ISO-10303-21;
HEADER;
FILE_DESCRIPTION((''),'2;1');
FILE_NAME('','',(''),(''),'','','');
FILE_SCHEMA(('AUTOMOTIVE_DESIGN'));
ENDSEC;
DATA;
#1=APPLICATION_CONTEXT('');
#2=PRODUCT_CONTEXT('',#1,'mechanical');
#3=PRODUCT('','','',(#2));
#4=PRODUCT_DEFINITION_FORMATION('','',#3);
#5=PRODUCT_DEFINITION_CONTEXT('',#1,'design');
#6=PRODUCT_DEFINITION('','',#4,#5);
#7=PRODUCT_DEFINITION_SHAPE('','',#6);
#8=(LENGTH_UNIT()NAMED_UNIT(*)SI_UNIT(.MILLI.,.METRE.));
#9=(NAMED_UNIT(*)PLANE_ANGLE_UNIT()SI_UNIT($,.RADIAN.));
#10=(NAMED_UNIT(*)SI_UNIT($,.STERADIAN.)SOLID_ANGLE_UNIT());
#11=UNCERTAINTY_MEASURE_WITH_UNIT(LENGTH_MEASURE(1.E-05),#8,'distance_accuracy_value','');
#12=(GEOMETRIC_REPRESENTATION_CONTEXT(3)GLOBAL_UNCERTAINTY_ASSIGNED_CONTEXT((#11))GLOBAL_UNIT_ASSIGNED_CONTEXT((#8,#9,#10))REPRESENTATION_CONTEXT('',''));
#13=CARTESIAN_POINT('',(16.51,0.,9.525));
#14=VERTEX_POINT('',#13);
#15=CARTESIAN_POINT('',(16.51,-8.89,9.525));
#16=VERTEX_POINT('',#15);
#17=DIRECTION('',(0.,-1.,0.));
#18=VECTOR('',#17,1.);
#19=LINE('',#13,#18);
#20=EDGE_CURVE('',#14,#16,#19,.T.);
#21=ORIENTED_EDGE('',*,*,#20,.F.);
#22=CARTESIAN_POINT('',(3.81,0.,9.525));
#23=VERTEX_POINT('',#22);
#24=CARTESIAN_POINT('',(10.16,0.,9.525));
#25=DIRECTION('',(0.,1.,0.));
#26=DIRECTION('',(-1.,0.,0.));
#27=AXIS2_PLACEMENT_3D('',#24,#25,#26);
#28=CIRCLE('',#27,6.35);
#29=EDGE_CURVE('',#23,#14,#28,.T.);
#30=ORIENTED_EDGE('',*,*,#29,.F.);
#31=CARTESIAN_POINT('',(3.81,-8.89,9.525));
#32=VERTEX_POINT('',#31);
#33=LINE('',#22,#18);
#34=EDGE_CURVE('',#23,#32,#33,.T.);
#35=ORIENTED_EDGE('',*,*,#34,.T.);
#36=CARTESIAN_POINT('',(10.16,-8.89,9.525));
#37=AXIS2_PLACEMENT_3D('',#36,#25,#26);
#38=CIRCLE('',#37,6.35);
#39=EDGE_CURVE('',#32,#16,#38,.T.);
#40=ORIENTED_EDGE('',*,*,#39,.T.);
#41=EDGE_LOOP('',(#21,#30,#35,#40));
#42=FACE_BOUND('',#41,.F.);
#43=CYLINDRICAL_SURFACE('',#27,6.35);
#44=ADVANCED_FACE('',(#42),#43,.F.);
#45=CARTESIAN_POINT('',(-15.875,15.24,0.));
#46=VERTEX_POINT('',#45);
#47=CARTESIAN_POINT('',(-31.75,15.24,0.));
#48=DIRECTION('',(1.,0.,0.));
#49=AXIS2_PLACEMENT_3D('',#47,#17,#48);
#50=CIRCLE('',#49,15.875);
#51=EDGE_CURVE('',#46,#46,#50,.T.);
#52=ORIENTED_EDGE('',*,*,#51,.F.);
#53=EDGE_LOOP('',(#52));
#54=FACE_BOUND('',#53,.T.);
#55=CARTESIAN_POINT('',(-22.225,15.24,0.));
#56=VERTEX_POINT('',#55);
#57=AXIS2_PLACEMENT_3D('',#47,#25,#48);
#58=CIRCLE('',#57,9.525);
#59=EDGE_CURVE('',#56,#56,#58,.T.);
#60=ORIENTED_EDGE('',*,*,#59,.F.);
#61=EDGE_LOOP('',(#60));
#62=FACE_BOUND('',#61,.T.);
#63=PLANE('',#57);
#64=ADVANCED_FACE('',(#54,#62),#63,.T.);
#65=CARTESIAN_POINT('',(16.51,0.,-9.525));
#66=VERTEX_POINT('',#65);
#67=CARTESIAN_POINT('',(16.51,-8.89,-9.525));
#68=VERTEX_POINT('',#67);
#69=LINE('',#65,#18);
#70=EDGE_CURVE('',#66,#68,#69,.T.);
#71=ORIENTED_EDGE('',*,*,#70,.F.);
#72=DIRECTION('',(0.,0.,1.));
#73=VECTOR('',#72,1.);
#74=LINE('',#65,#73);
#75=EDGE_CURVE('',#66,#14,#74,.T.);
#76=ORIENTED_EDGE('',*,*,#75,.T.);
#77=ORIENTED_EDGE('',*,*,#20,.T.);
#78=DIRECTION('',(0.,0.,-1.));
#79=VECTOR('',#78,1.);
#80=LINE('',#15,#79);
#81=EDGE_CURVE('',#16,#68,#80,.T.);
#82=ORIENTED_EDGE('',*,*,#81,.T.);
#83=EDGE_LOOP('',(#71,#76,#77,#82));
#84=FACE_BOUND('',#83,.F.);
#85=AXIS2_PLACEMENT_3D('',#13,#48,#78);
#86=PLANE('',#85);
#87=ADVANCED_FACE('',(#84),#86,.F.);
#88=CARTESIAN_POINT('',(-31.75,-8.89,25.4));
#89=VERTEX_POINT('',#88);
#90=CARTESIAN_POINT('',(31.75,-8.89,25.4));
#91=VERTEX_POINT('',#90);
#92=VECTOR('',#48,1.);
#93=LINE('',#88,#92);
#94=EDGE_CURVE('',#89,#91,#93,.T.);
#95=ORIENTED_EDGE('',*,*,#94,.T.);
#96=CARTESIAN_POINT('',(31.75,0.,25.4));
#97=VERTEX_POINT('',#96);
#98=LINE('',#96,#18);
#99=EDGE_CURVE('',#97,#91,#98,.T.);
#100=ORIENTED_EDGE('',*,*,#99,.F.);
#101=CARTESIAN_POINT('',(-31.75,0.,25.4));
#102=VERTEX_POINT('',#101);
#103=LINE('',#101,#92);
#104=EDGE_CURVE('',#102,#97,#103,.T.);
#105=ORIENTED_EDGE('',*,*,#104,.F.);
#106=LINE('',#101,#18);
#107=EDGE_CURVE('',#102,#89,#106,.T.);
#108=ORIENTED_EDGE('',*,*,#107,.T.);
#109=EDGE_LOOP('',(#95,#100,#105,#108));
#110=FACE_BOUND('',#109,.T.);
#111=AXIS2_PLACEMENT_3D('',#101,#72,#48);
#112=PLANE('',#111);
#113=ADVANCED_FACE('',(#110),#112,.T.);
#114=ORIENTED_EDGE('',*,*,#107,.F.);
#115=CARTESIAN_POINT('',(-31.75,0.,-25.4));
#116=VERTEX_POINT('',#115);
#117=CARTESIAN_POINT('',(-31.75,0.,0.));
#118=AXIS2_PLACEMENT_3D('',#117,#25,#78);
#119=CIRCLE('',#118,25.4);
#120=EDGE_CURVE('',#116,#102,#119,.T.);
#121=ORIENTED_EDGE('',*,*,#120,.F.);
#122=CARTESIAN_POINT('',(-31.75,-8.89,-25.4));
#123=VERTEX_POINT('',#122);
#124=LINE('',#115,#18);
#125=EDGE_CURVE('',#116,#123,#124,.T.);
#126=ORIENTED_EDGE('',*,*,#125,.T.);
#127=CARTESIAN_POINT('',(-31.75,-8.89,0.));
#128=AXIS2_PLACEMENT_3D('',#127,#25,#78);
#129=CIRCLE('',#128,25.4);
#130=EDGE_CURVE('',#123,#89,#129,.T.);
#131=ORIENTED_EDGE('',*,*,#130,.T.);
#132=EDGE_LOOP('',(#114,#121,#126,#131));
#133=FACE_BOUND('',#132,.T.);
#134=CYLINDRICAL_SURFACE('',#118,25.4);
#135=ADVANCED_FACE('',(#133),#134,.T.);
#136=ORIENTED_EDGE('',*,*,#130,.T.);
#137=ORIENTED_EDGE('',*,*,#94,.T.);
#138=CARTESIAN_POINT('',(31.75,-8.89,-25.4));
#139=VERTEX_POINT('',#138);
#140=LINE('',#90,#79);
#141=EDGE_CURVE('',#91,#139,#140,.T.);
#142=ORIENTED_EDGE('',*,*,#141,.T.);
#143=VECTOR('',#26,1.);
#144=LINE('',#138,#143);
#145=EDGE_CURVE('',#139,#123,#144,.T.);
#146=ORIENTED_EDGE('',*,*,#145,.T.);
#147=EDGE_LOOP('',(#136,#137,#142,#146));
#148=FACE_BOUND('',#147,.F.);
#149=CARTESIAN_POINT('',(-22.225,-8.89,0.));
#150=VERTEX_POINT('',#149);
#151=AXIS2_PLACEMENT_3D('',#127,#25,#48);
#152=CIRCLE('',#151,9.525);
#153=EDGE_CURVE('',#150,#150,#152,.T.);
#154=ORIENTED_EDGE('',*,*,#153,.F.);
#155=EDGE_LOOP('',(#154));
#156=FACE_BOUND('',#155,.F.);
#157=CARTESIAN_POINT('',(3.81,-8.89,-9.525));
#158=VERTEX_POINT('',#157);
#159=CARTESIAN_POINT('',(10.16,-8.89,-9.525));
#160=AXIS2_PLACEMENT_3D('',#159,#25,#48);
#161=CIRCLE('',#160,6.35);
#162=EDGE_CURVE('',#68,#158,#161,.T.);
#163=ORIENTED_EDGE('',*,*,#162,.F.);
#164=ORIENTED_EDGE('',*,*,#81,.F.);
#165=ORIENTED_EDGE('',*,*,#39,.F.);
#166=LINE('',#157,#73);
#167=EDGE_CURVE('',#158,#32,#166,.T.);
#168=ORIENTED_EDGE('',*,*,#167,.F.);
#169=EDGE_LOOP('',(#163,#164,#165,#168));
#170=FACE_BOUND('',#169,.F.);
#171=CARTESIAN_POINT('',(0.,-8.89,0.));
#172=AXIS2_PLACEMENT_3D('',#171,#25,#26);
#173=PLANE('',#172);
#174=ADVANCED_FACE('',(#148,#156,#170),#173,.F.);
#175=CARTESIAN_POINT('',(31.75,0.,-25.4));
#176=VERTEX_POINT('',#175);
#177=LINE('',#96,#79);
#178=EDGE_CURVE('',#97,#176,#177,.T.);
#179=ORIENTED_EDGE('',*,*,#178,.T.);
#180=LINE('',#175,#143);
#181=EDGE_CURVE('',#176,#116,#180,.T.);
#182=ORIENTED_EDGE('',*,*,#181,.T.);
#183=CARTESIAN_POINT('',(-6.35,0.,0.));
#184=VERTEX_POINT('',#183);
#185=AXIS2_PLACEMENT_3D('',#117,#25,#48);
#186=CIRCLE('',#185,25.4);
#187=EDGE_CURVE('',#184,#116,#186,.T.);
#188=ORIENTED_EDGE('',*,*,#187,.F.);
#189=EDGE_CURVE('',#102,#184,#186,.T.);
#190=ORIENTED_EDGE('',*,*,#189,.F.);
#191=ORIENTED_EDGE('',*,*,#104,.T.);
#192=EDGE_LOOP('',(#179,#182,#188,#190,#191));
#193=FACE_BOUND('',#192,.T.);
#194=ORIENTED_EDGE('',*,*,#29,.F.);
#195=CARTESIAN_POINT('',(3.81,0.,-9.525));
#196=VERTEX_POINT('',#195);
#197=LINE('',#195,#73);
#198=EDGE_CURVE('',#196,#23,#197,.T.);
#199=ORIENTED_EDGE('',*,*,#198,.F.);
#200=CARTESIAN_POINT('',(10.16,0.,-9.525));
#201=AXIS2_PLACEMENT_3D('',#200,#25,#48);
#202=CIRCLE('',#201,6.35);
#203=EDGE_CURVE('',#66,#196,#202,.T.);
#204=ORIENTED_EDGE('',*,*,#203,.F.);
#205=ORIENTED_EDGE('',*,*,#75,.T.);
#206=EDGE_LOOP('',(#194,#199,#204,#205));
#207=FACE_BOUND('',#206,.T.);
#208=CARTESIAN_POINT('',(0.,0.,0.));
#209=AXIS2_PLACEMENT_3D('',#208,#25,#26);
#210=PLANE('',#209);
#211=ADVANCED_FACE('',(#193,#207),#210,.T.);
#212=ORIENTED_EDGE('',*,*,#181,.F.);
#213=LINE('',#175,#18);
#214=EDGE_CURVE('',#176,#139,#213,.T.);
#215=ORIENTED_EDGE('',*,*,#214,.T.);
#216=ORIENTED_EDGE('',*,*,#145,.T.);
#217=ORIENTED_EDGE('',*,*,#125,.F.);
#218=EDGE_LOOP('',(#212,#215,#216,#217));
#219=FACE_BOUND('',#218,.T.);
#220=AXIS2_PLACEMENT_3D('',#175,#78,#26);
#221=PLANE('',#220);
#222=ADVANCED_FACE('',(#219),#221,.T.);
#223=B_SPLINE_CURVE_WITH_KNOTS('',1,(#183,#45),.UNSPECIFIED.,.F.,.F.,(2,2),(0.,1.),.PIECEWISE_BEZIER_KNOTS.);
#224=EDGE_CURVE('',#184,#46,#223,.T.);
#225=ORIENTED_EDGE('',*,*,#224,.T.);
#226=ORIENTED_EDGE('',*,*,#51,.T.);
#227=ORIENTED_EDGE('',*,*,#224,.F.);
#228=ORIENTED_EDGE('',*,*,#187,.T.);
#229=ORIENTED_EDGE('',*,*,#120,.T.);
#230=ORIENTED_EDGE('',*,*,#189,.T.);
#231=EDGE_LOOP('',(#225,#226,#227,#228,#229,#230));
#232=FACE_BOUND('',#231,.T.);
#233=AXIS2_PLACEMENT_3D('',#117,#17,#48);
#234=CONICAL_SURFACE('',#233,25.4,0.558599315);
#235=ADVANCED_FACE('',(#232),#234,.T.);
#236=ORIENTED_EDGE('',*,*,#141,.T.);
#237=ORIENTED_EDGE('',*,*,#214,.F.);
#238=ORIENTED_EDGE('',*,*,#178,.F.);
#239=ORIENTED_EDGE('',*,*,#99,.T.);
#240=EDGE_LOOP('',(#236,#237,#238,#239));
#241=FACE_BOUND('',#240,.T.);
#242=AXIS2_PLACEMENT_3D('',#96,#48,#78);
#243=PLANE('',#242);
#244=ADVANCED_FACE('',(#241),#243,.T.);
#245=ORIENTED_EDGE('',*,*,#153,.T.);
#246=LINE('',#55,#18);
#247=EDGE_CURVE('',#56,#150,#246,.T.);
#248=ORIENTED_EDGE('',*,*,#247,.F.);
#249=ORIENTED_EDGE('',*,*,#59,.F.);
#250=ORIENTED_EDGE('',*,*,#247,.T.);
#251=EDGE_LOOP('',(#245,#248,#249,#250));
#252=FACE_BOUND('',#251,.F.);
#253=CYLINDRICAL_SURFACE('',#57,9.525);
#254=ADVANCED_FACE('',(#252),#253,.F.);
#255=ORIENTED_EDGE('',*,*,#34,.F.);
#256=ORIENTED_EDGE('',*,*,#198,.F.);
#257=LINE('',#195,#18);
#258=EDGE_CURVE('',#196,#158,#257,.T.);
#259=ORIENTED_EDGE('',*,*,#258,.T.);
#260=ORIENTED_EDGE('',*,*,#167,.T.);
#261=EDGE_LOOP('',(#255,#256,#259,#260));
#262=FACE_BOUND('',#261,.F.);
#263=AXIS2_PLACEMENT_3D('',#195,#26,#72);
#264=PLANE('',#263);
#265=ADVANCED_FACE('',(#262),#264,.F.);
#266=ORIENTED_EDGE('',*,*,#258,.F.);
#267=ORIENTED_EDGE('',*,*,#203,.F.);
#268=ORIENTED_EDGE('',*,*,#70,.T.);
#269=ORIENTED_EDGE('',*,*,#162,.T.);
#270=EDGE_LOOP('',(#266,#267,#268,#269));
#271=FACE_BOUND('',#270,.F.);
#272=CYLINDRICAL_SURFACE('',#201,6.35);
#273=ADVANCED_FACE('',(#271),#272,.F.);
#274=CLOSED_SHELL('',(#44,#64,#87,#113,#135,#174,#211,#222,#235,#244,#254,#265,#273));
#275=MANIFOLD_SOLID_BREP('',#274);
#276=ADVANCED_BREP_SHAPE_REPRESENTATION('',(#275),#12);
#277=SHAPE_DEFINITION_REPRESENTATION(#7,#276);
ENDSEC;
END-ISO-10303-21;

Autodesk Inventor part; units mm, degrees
ref_plane "YZ Plane" through (0, 0, 0) normal (1, 0, 0) x (0, 1, 0)
ref_plane "XZ Plane" through (0, 0, 0) normal (0, 1, 0) x (-1, 0, 0)
sketch "Sketch1" plane through (0, 0, 0) normal (0, 1, 0) x (-1, 0, 0)
  line L0 (31.75, 25.4) -> (-31.75, 25.4)
  line L1 (-31.75, 25.4) -> (-31.75, -25.4)
  line L2 (-31.75, -25.4) -> (31.75, -25.4)
  line L3 (31.75, -25.4) -> (31.75, 25.4)
  line L4 (31.75, 25.4) -> (-31.75, -25.4) construction
  line L5 (-31.75, 25.4) -> (31.75, -25.4) construction
  arc A0 (31.75, -25.4) -> (31.75, 25.4) centre (31.75, 0) ccw
  point P0 (0, 0)
  dimension "d5" = 63.5
  dimension "d6" = 50.8
extrude "Extrusion1" add sketch "Sketch1" against normal blind 8.89
sketch "Sketch2" plane through (0, 0, 0) normal (0, 1, 0) x (1, 0, 0)
  line L0 (31.75, -25.4) -> (31.75, 25.4) projected
  line L1 (-31.75, -25.4) -> (31.75, -25.4) projected
  line L2 (31.75, 25.4) -> (-31.75, 25.4) projected
  arc A0 (-31.75, 25.4) -> (-31.75, -25.4) centre (-31.75, 0) ccw projected
  line L3 (31.75, 0) -> (16.51, 0)
  line L4 (3.81, -9.525) -> (16.51, -9.525)
  line L5 (16.51, -9.525) -> (16.51, 9.525)
  line L6 (16.51, 9.525) -> (3.81, 9.525)
  line L7 (3.81, 9.525) -> (3.81, -9.525)
  line L8 (3.81, -9.525) -> (16.51, 9.525) construction
  line L9 (16.51, -9.525) -> (3.81, 9.525) construction
  arc A1 (3.81, -9.525) -> (16.51, -9.525) centre (10.16, -9.525) ccw
  arc A2 (16.51, 9.525) -> (3.81, 9.525) centre (10.16, 9.525) ccw
  point P0 (0, 0)
  dimension "d9" = 15.24
  dimension "d10" = 12.7
  dimension "d11" = 19.05
extrude "Extrusion2" cut sketch "Sketch2" against normal blind 8.89 contours L5 L4 L7 L6 | A1 L4 | L6 A2
sketch "Sketch3" plane through (0, 0, 0) normal (0, 1, 0) x (1, 0, 0)
  arc A0 (-31.75, 25.4) -> (-31.75, -25.4) centre (-31.75, 0) ccw projected
  circle A1 centre (-31.75, 0) radius 25.4
  point P0 (0, 0)
  dimension "d14" = 50.8
ref_plane "Work Plane1" through (0, 15.24, 0) normal (0, 1, 0) x (1, 0, 0)
sketch "Sketch5" plane through (0, 15.24, 0) normal (0, 1, 0) x (1, 0, 0)
  arc A0 (-31.75, 25.4) -> (-31.75, -25.4) centre (-31.75, 0) ccw projected
  circle A1 centre (-31.75, 0) radius 15.875
  point P0 (0, 0)
  dimension "d20" = 31.75
loft "Loft1" add profiles "Sketch3", "Sketch5"
sketch "Sketch6" plane through (-31.75, 15.24, 0) normal (0, 1, 0) x (1, 0, 0)
  circle A0 centre (0, 0) radius 15.875 projected
  circle A1 centre (0, 0) radius 9.525
  point P0 (31.75, 0)
  dimension "d25" = 19.05
extrude "Extrusion3" cut sketch "Sketch6" against normal blind 50.8 contours A1
properties part number "Coupler for Section"
